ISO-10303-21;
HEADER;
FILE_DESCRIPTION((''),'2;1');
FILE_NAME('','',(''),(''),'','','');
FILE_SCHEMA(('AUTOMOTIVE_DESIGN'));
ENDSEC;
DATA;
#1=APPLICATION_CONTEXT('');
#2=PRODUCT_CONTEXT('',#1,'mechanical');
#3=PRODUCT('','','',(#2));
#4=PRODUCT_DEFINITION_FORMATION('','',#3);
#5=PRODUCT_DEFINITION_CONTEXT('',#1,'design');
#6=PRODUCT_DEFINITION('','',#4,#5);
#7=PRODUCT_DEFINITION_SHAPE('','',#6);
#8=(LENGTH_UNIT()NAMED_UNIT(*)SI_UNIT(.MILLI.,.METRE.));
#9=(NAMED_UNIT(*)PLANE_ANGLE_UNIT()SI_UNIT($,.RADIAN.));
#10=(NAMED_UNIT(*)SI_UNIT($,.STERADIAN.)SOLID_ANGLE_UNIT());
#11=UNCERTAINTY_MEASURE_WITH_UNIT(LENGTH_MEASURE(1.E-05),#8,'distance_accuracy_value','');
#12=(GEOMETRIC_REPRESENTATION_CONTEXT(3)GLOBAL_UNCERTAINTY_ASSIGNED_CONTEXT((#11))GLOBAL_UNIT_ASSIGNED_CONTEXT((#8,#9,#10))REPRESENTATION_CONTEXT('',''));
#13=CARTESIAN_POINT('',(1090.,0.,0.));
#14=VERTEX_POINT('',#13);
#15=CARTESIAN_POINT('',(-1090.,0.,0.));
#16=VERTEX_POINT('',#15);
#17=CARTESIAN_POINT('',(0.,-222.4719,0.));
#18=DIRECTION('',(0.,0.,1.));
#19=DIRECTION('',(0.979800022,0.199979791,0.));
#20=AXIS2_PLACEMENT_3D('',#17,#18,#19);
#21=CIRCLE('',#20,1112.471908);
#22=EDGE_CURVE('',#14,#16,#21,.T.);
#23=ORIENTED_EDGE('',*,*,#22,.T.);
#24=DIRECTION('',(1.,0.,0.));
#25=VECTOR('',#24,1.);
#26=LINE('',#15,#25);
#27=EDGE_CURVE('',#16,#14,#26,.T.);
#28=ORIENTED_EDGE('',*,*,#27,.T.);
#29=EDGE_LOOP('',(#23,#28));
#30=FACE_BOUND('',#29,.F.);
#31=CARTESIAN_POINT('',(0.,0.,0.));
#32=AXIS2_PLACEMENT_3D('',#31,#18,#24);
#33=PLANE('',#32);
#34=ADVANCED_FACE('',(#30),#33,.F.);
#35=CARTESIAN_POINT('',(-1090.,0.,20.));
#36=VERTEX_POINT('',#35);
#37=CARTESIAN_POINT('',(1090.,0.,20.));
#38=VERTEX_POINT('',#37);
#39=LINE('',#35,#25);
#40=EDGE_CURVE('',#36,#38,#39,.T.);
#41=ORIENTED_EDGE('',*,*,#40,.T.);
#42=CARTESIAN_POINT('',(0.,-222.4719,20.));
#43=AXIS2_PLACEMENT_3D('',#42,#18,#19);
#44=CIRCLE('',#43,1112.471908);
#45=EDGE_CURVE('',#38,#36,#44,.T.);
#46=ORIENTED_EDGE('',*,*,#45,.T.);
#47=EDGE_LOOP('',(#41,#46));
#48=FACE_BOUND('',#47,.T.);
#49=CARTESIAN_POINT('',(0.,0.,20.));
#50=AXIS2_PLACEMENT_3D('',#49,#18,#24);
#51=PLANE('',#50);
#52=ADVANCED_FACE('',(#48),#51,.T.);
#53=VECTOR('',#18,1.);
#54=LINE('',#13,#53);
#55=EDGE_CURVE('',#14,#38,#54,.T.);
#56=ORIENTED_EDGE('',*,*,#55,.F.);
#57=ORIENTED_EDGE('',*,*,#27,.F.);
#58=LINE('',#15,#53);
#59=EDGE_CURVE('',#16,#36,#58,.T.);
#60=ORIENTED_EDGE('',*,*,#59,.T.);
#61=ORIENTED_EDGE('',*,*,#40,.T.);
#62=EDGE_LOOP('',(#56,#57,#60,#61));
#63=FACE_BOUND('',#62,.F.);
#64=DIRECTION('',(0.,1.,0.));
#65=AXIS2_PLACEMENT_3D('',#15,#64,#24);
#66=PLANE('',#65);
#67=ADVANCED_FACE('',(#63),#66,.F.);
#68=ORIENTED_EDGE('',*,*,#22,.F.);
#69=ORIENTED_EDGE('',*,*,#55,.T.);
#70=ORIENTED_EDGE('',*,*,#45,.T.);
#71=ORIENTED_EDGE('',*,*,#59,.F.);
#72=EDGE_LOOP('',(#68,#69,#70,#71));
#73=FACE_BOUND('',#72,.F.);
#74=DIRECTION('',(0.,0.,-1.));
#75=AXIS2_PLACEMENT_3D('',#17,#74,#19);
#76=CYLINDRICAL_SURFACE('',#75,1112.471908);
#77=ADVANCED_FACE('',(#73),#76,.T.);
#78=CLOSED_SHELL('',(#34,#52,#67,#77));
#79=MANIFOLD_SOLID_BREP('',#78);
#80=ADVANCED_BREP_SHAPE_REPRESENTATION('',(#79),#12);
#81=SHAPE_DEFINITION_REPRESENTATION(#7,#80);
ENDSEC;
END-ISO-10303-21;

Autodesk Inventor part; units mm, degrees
ref_plane "YZ Plane" through (0, 0, 0) normal (1, 0, 0) x (0, 1, 0)
ref_plane "XZ Plane" through (0, 0, 0) normal (0, 1, 0) x (-1, 0, 0)
ref_plane "XY Plane" through (0, 0, 0) normal (0, 0, 1) x (1, 0, 0)
sketch "Sketch2" plane through (0, 0, 0) normal (0, 0, 1) x (1, 0, 0)
  arc A0 (1090, 0) -> (-1090, 0) centre (0, -222.4719) ccw
  line L0 (-1090, 0) -> (1090, 0)
  point P0 (0, 0)
  point P1 (0, 890)
  dimension "d17" = 0
  dimension "d21" = 0
  dimension "d24" = 890
  dimension "d25" = 2180
  dimension "d26" = 1090
extrude "side" add sketch "Sketch2" along normal blind 20
equation "\"d24\" = cover_height_main - cover_shell_thickness"
equation "\"d25\" = cover_length_main - 2 * cover_shell_thickness"
equation "\"d26\" = 0.5 * d25"
equation "\"d14\" = cover_side_thickness"
equation "\"cover_height_main\" = 900"
equation "\"cover_shell_thickness\" = 10"
equation "\"cover_side_thickness\" = 20"
equation "\"hoop_angle_z\" = 45deg"
equation "\"hoop_bearing_length\" = 5deg"
equation "\"hoop_cable_diam\" = 5"
equation "\"hoop_cable_pulley_diam\" = 22"
equation "\"rack_tooth_addendum\" = 5"
equation "\"rack_tooth_dedendum\" = 5"
equation "\"rack_tooth_thickness\" = 5"
equation "\"secure_arm_angle\" = 20deg"
equation "\"secure_arm_hold_length\" = 35"
equation "\"secure_arm_radii\" = 9"
equation "\"support_baseClamp_platformLengthBuffer\" = 35"
equation "\"support_baseClamp_platformThickness\" = 15"
equation "\"support_baseClamp_platformWidthBuffer\" = 0"
equation "\"support_baseClamp_sleeveHoleDiameter\" = 12"
equation "\"support_baseClamp_sleeveSweepTerminationAngle\" = 55deg"
equation "\"support_baseClamp_thickness\" = 8"
equation "\"support_frame_endHoleBuffer\" = 25"
equation "\"support_frame_squareBarFillet\" = 2"
equation "\"support_frame_squareBarThickness\" = 5"
equation "\"hoop_tabs_hole\" = 4"
equation "\"hoop_tabs_thickness\" = 6"
equation "\"wheelchair_deployed_length\" = 1067"
equation "\"wheelchair_deployed_height\" = 914"
equation "\"wheelchair_deployed_width\" = 635"
equation "\"cover_length_main\" = 2200"
properties part number "cover_side"
